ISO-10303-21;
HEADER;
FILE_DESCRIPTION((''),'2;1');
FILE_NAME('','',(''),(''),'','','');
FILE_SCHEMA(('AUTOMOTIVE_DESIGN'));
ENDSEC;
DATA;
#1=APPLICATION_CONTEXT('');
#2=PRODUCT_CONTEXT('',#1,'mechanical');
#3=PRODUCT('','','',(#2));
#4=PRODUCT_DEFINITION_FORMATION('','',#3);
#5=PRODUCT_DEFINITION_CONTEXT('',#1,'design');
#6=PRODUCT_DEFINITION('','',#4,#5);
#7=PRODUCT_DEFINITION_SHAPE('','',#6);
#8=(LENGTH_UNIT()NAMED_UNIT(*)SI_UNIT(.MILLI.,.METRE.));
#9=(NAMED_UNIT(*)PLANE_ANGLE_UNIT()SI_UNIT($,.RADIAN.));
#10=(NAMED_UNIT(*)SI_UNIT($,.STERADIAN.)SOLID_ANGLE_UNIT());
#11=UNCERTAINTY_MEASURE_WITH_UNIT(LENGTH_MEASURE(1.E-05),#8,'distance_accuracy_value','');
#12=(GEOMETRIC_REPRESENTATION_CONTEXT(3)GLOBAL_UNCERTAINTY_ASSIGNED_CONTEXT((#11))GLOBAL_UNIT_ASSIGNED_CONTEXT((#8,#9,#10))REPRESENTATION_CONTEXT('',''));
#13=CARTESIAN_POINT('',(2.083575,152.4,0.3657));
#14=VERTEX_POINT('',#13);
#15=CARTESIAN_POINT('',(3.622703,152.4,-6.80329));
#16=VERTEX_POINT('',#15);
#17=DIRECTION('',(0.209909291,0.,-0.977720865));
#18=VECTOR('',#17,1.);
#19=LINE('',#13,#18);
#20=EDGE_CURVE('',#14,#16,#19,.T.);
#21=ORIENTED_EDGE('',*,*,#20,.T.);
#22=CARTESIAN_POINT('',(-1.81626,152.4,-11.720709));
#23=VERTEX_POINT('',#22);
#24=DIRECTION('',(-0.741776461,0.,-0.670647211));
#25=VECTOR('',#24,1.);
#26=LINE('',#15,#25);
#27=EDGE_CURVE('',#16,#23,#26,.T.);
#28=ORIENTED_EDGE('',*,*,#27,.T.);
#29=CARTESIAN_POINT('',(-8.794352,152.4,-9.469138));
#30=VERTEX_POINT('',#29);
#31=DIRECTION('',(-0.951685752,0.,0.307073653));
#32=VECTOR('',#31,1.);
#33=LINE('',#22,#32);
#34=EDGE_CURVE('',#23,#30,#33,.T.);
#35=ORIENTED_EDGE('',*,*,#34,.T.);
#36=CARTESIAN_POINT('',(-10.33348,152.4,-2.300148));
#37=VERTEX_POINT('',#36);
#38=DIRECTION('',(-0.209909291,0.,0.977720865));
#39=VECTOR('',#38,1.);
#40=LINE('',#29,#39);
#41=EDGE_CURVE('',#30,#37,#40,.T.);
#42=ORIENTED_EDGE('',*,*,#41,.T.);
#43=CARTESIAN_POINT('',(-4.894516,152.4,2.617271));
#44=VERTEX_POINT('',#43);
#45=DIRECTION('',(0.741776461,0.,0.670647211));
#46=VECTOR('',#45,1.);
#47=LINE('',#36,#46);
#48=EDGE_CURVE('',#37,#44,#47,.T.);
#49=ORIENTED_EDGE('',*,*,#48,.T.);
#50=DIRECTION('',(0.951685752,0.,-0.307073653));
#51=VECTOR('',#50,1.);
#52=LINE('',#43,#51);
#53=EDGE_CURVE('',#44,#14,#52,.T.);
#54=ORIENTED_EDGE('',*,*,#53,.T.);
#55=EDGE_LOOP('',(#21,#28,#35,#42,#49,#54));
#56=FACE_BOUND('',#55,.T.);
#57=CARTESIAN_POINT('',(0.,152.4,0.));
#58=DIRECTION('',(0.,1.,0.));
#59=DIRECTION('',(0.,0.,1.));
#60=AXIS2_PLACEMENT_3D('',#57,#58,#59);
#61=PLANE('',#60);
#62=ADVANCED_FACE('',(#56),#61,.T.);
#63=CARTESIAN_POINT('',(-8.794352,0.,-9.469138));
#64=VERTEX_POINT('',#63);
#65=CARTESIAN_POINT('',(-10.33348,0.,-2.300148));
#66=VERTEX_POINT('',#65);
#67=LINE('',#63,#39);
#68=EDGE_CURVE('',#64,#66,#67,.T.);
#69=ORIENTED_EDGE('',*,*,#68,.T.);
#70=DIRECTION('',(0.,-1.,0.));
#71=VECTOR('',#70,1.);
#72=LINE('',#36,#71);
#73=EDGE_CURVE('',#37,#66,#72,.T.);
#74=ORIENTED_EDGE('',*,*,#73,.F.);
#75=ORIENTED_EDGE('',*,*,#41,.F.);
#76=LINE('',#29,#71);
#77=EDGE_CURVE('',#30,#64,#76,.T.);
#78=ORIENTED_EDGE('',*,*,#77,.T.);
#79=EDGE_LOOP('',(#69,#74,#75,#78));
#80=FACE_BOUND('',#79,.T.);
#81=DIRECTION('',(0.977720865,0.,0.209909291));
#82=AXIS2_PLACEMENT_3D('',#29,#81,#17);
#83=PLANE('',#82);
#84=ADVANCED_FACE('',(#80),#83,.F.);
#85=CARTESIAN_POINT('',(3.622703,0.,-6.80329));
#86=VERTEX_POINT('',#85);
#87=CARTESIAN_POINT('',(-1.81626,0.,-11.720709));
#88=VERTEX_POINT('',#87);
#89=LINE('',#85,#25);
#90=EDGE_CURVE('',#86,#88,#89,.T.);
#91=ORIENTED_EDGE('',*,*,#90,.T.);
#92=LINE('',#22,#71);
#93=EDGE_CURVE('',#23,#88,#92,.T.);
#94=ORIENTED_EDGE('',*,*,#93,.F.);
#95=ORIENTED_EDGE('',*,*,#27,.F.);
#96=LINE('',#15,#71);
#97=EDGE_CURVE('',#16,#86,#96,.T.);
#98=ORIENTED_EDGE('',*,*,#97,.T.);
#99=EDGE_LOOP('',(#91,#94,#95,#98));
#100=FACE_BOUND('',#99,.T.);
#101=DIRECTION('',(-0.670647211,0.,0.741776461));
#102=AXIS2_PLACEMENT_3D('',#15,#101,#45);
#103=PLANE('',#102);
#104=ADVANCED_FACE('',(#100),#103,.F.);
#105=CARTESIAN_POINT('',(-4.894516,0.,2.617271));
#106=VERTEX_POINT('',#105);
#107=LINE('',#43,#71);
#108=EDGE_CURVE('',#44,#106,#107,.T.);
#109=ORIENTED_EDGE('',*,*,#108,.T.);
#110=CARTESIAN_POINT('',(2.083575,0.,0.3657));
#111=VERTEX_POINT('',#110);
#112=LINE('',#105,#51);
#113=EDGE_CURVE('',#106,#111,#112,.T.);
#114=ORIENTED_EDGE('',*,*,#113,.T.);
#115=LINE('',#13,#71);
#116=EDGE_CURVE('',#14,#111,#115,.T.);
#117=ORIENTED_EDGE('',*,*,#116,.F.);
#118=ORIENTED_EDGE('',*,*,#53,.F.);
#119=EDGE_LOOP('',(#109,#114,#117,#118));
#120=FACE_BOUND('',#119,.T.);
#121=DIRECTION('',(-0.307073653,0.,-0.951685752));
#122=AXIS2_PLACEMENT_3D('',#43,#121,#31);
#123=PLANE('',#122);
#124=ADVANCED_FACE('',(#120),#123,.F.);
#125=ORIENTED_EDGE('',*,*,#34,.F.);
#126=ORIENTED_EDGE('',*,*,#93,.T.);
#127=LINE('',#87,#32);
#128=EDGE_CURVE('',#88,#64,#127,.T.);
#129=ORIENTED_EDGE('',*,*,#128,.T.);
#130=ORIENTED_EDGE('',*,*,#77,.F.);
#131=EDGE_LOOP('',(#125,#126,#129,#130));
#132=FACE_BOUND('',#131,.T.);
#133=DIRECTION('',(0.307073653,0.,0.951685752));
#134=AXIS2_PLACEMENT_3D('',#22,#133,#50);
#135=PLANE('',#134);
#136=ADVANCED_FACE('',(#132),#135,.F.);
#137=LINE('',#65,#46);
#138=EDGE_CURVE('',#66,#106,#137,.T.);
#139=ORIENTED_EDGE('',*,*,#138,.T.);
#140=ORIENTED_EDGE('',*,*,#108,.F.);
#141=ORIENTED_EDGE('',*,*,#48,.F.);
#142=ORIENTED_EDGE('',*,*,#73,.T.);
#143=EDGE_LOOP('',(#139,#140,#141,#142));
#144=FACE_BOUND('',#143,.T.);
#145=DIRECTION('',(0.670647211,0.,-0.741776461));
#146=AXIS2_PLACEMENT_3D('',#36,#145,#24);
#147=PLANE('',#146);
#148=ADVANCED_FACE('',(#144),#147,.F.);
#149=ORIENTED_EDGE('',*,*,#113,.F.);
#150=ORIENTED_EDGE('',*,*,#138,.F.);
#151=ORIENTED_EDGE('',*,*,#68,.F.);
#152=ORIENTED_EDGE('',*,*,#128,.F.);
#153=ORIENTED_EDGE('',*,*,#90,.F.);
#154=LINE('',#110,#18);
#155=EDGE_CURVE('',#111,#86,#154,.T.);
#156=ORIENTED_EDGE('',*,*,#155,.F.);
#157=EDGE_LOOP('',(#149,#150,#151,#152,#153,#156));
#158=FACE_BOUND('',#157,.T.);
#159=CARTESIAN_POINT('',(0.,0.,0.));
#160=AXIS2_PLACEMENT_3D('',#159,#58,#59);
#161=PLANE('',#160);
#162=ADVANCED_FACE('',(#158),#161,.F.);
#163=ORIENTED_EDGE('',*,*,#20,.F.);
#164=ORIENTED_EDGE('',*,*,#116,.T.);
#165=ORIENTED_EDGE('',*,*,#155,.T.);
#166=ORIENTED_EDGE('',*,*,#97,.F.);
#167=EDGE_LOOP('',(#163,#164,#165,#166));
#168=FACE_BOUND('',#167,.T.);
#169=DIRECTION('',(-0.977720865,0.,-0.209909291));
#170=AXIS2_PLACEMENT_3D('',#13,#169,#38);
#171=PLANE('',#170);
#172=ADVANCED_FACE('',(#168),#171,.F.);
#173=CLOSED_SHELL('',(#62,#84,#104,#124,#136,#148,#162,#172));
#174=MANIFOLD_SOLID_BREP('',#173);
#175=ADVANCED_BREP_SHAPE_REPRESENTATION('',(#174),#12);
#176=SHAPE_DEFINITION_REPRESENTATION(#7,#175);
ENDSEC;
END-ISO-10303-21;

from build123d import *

# Parameters (mm, degrees)
BOSS_EXTRUDE1_DEPTH = 152.4


with BuildPart() as part:
    # Sketch1 → Boss-Extrude1 (new body)
    with BuildSketch(Plane(origin=(0, 0, 0), x_dir=(1, 0, 0), z_dir=(0, 1, 0))):
        Polygon((2.083575367, -0.365699732), (3.622703428, 6.803290305), (-1.816260032, 11.720709324), (-8.794351554, 9.469138307), (-10.333479615, 2.30014827), (-4.894516155, -2.617270749), align=None)
    extrude(amount=BOSS_EXTRUDE1_DEPTH)


solid = part.part
